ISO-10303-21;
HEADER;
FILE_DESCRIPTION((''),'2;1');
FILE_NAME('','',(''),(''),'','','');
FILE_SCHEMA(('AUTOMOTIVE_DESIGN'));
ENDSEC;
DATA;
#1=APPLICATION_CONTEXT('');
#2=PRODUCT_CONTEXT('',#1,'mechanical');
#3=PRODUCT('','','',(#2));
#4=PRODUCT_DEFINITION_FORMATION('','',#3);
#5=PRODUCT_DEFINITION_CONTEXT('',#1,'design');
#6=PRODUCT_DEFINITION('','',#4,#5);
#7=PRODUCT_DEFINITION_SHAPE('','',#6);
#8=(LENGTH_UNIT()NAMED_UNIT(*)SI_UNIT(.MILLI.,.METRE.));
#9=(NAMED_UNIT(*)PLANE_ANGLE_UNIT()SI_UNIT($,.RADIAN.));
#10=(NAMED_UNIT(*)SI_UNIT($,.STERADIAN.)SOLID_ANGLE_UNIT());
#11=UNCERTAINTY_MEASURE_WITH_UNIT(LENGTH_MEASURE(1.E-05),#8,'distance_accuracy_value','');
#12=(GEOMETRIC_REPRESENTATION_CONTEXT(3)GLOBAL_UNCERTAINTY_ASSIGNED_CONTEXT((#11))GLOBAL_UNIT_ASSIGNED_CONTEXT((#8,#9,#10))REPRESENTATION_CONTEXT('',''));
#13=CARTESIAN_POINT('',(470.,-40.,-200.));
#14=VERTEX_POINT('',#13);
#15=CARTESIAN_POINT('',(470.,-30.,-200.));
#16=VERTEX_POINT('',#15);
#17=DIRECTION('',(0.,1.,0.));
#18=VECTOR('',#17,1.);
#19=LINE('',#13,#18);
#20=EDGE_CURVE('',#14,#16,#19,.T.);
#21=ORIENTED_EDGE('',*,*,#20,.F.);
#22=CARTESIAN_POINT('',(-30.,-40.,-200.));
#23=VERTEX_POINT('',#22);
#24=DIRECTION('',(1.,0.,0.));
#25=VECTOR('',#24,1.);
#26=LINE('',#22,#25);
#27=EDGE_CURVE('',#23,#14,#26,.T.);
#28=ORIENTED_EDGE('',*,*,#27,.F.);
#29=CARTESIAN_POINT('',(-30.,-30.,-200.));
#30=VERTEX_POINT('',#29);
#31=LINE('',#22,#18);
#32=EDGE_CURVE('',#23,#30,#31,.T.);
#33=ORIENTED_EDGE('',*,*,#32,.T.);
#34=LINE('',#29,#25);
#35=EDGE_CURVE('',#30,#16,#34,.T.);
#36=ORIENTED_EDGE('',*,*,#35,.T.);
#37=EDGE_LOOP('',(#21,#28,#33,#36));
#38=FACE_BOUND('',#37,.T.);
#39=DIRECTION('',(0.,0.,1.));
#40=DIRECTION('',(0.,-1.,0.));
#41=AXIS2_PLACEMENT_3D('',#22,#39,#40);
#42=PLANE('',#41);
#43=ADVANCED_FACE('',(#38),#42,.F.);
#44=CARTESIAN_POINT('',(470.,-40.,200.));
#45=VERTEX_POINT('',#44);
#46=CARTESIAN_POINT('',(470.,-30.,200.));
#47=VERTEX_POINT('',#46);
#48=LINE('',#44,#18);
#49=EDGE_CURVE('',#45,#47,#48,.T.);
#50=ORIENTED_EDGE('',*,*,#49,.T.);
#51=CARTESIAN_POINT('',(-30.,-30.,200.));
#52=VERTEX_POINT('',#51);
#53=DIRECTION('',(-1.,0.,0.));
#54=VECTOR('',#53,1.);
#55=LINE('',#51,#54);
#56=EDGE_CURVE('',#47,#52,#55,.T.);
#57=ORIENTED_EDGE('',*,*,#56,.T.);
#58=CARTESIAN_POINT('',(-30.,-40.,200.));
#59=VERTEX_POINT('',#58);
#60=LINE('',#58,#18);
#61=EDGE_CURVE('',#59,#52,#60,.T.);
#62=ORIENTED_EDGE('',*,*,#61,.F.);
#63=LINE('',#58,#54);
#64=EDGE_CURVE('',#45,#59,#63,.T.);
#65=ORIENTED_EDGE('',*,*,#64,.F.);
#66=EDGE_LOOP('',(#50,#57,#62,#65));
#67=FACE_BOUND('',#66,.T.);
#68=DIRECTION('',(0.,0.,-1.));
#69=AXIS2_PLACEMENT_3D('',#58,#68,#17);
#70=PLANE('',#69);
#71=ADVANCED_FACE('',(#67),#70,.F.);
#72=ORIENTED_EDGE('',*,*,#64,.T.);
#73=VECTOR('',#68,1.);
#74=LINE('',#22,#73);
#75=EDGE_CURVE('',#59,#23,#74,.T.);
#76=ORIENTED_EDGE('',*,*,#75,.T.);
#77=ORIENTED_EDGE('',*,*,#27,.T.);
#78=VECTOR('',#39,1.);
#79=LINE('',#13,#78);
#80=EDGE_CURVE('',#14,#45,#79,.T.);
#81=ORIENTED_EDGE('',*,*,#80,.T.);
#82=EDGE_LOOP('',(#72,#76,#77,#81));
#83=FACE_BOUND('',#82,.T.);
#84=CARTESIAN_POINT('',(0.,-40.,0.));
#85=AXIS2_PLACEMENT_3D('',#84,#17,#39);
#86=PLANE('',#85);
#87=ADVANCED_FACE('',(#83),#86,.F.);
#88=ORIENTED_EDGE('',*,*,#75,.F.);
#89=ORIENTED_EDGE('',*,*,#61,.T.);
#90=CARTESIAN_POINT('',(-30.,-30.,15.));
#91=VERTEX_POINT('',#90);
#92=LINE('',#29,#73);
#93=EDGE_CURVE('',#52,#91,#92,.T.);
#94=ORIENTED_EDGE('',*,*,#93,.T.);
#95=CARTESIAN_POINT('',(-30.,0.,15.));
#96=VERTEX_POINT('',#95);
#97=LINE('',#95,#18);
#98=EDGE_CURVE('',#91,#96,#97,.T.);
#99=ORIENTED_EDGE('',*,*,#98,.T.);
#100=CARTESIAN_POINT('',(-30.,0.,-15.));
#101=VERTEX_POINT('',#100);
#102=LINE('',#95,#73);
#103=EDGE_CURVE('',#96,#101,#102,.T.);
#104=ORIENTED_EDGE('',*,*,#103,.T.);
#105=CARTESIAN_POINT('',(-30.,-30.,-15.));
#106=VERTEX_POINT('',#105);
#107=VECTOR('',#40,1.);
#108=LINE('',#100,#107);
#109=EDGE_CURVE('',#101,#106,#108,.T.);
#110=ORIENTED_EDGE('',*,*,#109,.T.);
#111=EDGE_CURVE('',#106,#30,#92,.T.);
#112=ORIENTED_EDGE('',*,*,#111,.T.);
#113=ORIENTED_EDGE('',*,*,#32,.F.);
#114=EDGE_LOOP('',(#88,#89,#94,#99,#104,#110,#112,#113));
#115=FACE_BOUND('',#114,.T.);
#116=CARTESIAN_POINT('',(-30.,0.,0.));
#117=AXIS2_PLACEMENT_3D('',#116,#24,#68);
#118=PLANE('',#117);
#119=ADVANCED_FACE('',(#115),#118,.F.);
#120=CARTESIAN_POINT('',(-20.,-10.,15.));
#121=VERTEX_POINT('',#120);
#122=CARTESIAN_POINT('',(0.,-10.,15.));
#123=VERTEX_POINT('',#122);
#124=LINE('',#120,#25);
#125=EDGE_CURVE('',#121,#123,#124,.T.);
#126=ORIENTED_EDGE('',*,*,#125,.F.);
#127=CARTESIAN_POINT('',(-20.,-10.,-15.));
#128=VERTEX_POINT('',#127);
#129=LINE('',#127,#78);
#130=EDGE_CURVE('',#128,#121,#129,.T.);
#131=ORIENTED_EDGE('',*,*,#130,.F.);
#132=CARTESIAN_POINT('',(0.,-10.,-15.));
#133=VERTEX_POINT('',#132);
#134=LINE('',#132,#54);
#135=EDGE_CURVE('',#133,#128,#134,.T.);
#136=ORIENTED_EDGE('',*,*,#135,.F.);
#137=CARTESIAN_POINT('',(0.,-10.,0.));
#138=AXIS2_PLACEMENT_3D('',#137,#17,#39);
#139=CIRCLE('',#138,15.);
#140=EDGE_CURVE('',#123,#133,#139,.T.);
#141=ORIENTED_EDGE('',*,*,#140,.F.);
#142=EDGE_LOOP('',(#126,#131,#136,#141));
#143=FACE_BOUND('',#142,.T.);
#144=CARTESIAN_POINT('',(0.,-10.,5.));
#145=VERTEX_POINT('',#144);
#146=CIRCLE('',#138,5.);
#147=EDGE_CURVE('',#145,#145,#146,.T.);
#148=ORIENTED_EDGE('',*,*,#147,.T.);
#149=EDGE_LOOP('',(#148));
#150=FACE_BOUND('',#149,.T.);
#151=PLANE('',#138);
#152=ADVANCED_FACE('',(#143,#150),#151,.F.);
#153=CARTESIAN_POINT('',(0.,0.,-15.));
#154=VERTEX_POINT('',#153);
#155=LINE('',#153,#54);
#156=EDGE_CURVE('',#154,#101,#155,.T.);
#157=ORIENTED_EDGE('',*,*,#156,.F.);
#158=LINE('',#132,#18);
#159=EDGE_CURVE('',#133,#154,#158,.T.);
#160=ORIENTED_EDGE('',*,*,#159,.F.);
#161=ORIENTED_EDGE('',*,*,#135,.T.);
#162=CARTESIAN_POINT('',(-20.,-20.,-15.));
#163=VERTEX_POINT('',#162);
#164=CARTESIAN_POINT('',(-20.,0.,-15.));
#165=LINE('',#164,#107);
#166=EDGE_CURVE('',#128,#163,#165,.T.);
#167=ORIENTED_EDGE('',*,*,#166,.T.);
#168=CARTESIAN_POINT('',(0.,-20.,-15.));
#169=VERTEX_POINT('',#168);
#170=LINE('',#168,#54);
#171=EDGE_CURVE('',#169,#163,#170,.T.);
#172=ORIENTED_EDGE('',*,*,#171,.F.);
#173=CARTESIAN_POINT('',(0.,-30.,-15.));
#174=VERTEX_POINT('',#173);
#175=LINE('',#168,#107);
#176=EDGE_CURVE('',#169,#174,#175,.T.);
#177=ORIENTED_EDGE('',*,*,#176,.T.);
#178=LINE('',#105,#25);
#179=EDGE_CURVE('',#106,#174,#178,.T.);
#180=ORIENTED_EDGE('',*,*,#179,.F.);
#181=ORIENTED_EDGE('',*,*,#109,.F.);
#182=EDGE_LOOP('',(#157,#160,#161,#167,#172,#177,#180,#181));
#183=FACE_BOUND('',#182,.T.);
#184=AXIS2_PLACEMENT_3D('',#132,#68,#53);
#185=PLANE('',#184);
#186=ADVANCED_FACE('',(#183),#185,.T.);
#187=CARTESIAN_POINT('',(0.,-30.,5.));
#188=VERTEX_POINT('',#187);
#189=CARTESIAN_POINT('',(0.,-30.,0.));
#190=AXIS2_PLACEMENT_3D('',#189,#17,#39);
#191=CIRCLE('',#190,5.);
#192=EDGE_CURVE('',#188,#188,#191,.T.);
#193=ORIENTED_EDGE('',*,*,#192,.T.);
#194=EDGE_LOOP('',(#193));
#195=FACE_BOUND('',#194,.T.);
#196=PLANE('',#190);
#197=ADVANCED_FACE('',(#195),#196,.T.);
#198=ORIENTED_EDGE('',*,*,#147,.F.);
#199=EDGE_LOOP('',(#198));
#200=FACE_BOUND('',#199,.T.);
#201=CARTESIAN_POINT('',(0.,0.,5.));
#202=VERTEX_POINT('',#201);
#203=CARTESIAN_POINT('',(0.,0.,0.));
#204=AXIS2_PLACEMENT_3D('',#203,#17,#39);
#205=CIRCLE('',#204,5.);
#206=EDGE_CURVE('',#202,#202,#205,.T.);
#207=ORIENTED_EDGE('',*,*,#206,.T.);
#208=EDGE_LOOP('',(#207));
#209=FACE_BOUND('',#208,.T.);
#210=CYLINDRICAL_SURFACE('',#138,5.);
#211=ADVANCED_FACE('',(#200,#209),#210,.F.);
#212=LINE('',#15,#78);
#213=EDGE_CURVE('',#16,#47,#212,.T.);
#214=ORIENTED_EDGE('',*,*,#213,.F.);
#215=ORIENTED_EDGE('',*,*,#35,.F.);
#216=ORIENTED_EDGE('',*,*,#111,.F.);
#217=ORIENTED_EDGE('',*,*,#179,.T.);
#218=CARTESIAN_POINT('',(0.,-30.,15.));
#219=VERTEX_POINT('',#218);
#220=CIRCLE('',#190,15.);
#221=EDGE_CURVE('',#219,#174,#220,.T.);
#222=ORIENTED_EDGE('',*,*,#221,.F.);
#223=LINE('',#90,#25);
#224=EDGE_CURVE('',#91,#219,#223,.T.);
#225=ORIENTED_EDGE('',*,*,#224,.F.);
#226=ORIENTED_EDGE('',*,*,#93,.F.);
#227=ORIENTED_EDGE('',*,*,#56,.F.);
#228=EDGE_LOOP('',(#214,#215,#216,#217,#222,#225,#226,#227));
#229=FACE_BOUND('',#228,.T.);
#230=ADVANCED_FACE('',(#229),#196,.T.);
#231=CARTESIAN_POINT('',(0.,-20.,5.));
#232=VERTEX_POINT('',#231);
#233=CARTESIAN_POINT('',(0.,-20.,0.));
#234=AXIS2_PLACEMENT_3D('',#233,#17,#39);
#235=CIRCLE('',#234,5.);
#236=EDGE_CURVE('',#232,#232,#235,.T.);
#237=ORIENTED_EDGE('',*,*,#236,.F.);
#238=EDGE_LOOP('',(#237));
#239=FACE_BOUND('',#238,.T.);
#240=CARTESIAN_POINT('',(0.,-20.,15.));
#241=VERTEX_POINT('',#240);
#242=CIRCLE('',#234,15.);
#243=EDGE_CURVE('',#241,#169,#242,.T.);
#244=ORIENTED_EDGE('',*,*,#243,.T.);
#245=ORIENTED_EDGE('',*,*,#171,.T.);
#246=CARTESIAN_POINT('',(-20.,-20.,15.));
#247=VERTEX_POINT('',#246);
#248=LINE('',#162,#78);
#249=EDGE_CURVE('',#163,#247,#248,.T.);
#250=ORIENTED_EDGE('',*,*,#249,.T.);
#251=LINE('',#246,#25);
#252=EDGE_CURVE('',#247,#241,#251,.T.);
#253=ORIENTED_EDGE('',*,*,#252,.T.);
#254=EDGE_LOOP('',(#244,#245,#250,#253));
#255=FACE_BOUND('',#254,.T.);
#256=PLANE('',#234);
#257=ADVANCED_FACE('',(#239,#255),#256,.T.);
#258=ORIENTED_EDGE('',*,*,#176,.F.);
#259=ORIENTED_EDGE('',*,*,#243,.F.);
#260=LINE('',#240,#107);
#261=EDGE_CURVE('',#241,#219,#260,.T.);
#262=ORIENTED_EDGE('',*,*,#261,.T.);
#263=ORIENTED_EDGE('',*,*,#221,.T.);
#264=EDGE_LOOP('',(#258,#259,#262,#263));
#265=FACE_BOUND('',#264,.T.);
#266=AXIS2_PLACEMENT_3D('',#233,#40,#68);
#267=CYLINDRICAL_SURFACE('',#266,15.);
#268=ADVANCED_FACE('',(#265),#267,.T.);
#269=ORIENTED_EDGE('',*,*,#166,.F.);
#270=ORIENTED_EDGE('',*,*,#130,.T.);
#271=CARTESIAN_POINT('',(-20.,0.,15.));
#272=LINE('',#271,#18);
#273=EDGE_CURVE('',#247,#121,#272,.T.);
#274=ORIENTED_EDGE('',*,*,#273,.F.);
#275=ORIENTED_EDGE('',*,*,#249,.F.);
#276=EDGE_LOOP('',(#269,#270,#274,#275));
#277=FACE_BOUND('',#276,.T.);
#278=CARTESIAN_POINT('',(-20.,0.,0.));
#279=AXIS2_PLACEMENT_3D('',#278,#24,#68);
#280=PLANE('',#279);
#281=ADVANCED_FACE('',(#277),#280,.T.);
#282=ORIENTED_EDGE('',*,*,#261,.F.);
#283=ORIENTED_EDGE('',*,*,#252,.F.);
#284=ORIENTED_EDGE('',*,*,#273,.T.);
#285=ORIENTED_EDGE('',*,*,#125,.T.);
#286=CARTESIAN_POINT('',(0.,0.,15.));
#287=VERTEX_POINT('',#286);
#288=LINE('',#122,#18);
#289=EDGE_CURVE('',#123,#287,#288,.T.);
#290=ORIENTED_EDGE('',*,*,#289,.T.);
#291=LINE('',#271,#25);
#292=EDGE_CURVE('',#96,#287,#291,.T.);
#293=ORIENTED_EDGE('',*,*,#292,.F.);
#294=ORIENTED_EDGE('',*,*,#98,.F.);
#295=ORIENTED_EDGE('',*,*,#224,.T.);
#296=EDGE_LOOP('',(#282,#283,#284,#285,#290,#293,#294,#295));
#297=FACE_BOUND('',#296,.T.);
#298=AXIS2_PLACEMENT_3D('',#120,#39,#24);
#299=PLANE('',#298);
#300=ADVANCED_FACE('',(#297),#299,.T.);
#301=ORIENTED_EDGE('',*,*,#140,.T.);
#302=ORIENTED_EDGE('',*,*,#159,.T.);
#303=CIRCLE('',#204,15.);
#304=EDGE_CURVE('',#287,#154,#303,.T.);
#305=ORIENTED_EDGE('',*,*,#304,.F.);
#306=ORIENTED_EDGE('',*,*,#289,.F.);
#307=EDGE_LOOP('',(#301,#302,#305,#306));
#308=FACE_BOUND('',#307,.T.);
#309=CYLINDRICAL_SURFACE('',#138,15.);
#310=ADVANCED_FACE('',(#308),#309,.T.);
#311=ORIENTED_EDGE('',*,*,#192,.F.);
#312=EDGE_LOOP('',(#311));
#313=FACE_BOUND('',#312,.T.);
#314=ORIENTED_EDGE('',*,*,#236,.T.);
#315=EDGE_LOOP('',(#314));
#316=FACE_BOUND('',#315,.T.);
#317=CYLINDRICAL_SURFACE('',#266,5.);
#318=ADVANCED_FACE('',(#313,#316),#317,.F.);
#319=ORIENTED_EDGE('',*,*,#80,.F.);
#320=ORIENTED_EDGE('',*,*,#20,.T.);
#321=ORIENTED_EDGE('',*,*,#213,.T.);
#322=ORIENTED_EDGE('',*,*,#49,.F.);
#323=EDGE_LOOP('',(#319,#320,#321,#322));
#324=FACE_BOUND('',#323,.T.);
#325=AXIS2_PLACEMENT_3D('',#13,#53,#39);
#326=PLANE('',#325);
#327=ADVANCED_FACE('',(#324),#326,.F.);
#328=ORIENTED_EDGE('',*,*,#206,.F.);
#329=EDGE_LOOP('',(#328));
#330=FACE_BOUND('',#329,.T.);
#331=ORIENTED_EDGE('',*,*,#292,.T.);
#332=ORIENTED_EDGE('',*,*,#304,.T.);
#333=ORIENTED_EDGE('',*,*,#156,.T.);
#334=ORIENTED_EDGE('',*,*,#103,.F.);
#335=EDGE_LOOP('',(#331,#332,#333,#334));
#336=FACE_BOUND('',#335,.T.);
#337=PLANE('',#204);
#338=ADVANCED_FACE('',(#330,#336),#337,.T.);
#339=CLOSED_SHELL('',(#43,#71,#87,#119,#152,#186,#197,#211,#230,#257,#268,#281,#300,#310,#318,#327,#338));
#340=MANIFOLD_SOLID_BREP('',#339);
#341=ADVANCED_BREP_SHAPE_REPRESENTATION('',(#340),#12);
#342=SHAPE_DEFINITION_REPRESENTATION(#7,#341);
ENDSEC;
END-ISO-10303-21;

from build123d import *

# Parameters (mm, degrees)
SKETCH1_R           = 5
BOSS_EXTRUDE1_DEPTH = 10
SKETCH2_W           = 30
SKETCH2_H           = 30
BOSS_EXTRUDE2_DEPTH = 10
BOSS_EXTRUDE3_START = -20
SKETCH1_2_R         = 5
BOSS_EXTRUDE3_DEPTH = 10
SKETCH3_W           = 500
SKETCH3_H           = 400
BOSS_EXTRUDE4_DEPTH = 10


with BuildPart() as part:
    # Sketch1 → Boss-Extrude1 (new body)
    with BuildSketch(Plane(origin=(0, 0, 0), x_dir=(1, 0, 0), z_dir=(0, 1, 0))):
        with BuildLine():
            Line((0, 15), (-20, 15))
            Line((-20, 15), (-20, -15))
            Line((-20, -15), (0, -15))
            ThreePointArc((0, -15), (15, 0), (0, 15))
        make_face()
        Circle(SKETCH1_R, mode=Mode.SUBTRACT)
    extrude(amount=-BOSS_EXTRUDE1_DEPTH)

    # Sketch2 → Boss-Extrude2 (add)
    with BuildSketch(Plane.ZY.offset(20)):
        with Locations((0, -15)):
            Rectangle(SKETCH2_W, SKETCH2_H)
    extrude(amount=BOSS_EXTRUDE2_DEPTH)

    # Sketch1<2> → Boss-Extrude3 (add)
    with BuildSketch(Plane(origin=(0, 0, 0), x_dir=(1, 0, 0), z_dir=(0, 1, 0)).offset(BOSS_EXTRUDE3_START)):
        with BuildLine():
            Line((0, 15), (-20, 15))
            Line((-20, 15), (-20, -15))
            Line((-20, -15), (0, -15))
            ThreePointArc((0, -15), (15, 0), (0, 15))
        make_face()
        Circle(SKETCH1_2_R, mode=Mode.SUBTRACT)
    extrude(amount=-BOSS_EXTRUDE3_DEPTH)

    # Sketch3 → Boss-Extrude4 (add)
    with BuildSketch(Plane.XZ.offset(30)):
        with Locations((220, 0)):
            Rectangle(SKETCH3_W, SKETCH3_H)
    extrude(amount=BOSS_EXTRUDE4_DEPTH)


solid = part.part
